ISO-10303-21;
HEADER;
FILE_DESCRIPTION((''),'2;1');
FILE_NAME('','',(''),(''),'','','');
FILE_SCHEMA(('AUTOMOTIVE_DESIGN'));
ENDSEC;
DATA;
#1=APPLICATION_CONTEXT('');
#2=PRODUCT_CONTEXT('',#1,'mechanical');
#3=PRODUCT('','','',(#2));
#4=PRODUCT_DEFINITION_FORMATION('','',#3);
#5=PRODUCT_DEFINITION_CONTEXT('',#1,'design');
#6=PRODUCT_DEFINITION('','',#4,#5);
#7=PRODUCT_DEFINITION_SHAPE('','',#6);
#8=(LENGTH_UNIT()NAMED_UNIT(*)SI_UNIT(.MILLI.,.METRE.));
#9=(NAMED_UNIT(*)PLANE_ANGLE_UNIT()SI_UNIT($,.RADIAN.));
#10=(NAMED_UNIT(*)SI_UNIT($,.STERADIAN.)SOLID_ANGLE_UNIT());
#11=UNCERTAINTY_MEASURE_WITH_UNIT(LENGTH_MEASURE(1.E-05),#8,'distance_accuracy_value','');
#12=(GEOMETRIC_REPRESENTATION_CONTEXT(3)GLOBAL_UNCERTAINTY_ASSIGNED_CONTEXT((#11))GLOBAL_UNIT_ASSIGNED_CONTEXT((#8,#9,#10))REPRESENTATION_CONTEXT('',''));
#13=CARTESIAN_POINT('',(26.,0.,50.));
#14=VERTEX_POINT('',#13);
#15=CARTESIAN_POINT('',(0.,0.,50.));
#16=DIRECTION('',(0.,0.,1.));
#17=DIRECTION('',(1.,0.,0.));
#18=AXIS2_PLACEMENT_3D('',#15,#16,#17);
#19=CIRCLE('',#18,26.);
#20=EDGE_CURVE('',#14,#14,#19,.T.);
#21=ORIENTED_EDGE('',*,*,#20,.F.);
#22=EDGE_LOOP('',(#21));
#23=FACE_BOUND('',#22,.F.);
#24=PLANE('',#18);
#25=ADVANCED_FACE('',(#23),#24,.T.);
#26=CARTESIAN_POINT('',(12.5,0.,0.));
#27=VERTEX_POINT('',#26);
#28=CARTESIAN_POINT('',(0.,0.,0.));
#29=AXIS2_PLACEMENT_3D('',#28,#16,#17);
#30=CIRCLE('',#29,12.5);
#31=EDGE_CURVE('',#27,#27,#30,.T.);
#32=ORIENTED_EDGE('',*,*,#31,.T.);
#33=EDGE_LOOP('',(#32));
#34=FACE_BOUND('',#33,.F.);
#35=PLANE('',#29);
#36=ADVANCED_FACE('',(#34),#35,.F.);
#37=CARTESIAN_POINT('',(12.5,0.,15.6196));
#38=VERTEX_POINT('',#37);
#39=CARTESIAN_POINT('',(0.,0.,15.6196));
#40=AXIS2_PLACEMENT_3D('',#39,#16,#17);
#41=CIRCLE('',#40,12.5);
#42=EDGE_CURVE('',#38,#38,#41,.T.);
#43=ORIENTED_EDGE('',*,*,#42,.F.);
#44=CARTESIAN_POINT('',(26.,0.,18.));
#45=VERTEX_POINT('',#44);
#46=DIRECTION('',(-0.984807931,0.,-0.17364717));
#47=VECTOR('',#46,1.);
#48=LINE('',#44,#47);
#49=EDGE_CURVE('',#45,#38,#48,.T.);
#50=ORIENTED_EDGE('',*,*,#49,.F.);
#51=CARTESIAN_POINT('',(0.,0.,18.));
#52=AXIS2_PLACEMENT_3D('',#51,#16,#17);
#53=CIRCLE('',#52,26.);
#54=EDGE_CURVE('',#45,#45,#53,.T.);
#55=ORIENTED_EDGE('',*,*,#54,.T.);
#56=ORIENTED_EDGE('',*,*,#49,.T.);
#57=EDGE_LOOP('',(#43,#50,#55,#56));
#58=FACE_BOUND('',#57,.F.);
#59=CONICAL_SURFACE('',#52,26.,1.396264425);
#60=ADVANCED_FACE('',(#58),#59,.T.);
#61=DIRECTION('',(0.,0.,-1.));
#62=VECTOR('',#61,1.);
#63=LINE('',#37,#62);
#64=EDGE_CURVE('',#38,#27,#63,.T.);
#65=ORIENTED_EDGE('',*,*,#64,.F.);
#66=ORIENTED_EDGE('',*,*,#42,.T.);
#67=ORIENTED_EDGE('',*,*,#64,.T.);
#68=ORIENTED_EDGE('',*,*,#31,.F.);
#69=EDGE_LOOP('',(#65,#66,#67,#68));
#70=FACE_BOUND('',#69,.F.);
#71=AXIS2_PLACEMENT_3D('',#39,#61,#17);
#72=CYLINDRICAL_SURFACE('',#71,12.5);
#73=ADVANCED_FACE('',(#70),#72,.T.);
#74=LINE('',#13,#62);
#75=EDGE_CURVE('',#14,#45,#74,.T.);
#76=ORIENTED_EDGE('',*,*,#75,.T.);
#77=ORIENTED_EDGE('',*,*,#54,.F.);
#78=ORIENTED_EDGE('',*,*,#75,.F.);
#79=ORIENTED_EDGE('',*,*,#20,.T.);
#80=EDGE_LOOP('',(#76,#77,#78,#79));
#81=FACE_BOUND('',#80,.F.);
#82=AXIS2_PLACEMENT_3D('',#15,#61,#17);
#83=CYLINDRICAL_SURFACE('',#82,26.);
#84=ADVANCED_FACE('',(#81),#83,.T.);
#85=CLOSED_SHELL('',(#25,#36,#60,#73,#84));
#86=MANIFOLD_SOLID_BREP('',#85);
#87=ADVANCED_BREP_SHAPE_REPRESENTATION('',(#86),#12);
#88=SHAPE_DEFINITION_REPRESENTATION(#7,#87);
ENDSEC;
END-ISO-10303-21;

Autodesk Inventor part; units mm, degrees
ref_plane "YZ Plane" through (0, 0, 0) normal (1, 0, 0) x (0, 1, 0)
ref_plane "XZ Plane" through (0, 0, 0) normal (0, 1, 0) x (-1, 0, 0)
ref_plane "XY Plane" through (0, 0, 0) normal (0, 0, 1) x (1, 0, 0)
sketch "Sketch1" plane through (0, 0, 0) normal (0, 1, 0) x (-1, 0, 0)
  line L0 (0, 0) -> (0, 50)
  line L1 (0, 50) -> (-26, 50)
  line L2 (-26, 50) -> (-26, 18)
  line L3 (-26, 18) -> (-12.5, 15.6196)
  line L4 (-12.5, 15.6196) -> (-12.5, 0)
  line L5 (-12.5, 0) -> (0, 0)
  dimension "d0" = 50
  dimension "d1" = 52
  dimension "d2" = 25
  dimension "d3" = 32
  dimension "d4" = 100
revolve "Revolution1" add sketch "Sketch1" angle 360 about axis through (0, 0, 0) along (0, 0, 1)
properties part number "TZS dummy filter element_940"
